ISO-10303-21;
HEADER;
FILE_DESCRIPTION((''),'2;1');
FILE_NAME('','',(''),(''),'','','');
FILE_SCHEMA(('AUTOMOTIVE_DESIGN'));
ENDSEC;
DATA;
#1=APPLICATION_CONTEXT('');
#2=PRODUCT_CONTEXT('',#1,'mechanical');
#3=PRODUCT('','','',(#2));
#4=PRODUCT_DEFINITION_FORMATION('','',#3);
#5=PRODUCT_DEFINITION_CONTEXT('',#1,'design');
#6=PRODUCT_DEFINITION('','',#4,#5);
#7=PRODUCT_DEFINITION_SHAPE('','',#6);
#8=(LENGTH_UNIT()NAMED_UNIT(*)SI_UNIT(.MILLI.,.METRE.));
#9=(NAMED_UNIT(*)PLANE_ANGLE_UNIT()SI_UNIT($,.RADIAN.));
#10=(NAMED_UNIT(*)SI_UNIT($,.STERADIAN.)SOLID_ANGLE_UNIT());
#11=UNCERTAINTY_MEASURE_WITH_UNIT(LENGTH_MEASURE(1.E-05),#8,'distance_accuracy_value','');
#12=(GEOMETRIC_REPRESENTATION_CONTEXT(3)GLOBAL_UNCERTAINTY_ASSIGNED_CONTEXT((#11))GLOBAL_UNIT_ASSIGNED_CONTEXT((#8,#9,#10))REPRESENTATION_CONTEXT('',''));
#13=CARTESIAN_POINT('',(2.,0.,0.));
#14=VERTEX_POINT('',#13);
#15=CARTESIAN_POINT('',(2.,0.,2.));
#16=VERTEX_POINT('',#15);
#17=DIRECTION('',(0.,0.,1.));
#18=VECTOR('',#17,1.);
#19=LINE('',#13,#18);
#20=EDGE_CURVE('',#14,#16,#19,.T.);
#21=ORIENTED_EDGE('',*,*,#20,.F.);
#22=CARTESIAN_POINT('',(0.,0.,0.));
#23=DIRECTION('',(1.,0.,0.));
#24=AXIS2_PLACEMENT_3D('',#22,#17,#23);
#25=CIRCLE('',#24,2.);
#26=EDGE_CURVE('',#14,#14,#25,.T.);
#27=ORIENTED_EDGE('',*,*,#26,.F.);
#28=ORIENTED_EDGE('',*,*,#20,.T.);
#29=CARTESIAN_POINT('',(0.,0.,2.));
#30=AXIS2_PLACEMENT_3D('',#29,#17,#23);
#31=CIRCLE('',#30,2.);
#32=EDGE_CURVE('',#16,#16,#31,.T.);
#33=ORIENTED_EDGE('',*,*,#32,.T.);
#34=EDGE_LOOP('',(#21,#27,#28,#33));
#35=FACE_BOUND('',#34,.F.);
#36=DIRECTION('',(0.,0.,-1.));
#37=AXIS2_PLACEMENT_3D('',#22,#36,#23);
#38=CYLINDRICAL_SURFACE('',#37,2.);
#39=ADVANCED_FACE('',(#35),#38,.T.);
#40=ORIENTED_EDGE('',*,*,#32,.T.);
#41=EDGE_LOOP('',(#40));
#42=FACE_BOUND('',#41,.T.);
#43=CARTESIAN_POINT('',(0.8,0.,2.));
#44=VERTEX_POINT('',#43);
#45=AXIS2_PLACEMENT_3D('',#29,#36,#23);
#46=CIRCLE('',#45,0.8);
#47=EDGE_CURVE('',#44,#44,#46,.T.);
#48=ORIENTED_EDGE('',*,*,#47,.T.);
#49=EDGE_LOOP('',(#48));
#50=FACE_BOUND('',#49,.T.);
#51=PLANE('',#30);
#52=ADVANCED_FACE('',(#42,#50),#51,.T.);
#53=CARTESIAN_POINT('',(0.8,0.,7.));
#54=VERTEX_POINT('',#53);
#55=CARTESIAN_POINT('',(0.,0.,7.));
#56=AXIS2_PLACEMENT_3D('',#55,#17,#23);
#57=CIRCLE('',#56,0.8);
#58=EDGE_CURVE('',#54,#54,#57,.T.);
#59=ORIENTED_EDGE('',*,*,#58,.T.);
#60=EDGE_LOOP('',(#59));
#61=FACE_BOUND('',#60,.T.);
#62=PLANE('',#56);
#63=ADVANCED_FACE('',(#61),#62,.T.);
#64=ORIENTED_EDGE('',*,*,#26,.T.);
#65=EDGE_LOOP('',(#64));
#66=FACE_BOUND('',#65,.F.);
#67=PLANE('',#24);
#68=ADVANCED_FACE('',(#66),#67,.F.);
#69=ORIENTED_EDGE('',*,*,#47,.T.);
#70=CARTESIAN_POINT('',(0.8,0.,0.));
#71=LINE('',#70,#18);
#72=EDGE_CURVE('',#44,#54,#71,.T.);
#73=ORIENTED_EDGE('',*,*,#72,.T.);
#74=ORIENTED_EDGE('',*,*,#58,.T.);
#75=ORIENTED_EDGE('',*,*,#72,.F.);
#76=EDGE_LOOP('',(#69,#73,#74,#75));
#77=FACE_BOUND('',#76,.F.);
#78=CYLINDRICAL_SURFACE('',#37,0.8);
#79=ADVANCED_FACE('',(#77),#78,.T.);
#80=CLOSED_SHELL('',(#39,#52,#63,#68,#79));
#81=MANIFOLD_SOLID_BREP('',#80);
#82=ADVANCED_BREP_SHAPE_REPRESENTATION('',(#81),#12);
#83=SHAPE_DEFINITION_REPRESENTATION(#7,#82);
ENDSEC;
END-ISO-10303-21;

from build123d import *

# Parameters (mm, degrees)
CYLINDER001_R     = 2
CYLINDER001_DEPTH = 2
CYLINDER002_R     = 0.8
CYLINDER002_DEPTH = 7


with BuildPart() as cylinder001:
    # Cylinder001 → Cylinder001 (new body)
    with BuildSketch(Plane.XY):
        Circle(CYLINDER001_R)
    extrude(amount=CYLINDER001_DEPTH)


with BuildPart() as m2_bolt:
    # Cylinder002 → Cylinder002 (new body)
    with BuildSketch(Plane.XY):
        Circle(CYLINDER002_R)
    extrude(amount=CYLINDER002_DEPTH)

    # Fusion001005003003: union Cylinder001
    add(cylinder001.part)


solid = m2_bolt.part
